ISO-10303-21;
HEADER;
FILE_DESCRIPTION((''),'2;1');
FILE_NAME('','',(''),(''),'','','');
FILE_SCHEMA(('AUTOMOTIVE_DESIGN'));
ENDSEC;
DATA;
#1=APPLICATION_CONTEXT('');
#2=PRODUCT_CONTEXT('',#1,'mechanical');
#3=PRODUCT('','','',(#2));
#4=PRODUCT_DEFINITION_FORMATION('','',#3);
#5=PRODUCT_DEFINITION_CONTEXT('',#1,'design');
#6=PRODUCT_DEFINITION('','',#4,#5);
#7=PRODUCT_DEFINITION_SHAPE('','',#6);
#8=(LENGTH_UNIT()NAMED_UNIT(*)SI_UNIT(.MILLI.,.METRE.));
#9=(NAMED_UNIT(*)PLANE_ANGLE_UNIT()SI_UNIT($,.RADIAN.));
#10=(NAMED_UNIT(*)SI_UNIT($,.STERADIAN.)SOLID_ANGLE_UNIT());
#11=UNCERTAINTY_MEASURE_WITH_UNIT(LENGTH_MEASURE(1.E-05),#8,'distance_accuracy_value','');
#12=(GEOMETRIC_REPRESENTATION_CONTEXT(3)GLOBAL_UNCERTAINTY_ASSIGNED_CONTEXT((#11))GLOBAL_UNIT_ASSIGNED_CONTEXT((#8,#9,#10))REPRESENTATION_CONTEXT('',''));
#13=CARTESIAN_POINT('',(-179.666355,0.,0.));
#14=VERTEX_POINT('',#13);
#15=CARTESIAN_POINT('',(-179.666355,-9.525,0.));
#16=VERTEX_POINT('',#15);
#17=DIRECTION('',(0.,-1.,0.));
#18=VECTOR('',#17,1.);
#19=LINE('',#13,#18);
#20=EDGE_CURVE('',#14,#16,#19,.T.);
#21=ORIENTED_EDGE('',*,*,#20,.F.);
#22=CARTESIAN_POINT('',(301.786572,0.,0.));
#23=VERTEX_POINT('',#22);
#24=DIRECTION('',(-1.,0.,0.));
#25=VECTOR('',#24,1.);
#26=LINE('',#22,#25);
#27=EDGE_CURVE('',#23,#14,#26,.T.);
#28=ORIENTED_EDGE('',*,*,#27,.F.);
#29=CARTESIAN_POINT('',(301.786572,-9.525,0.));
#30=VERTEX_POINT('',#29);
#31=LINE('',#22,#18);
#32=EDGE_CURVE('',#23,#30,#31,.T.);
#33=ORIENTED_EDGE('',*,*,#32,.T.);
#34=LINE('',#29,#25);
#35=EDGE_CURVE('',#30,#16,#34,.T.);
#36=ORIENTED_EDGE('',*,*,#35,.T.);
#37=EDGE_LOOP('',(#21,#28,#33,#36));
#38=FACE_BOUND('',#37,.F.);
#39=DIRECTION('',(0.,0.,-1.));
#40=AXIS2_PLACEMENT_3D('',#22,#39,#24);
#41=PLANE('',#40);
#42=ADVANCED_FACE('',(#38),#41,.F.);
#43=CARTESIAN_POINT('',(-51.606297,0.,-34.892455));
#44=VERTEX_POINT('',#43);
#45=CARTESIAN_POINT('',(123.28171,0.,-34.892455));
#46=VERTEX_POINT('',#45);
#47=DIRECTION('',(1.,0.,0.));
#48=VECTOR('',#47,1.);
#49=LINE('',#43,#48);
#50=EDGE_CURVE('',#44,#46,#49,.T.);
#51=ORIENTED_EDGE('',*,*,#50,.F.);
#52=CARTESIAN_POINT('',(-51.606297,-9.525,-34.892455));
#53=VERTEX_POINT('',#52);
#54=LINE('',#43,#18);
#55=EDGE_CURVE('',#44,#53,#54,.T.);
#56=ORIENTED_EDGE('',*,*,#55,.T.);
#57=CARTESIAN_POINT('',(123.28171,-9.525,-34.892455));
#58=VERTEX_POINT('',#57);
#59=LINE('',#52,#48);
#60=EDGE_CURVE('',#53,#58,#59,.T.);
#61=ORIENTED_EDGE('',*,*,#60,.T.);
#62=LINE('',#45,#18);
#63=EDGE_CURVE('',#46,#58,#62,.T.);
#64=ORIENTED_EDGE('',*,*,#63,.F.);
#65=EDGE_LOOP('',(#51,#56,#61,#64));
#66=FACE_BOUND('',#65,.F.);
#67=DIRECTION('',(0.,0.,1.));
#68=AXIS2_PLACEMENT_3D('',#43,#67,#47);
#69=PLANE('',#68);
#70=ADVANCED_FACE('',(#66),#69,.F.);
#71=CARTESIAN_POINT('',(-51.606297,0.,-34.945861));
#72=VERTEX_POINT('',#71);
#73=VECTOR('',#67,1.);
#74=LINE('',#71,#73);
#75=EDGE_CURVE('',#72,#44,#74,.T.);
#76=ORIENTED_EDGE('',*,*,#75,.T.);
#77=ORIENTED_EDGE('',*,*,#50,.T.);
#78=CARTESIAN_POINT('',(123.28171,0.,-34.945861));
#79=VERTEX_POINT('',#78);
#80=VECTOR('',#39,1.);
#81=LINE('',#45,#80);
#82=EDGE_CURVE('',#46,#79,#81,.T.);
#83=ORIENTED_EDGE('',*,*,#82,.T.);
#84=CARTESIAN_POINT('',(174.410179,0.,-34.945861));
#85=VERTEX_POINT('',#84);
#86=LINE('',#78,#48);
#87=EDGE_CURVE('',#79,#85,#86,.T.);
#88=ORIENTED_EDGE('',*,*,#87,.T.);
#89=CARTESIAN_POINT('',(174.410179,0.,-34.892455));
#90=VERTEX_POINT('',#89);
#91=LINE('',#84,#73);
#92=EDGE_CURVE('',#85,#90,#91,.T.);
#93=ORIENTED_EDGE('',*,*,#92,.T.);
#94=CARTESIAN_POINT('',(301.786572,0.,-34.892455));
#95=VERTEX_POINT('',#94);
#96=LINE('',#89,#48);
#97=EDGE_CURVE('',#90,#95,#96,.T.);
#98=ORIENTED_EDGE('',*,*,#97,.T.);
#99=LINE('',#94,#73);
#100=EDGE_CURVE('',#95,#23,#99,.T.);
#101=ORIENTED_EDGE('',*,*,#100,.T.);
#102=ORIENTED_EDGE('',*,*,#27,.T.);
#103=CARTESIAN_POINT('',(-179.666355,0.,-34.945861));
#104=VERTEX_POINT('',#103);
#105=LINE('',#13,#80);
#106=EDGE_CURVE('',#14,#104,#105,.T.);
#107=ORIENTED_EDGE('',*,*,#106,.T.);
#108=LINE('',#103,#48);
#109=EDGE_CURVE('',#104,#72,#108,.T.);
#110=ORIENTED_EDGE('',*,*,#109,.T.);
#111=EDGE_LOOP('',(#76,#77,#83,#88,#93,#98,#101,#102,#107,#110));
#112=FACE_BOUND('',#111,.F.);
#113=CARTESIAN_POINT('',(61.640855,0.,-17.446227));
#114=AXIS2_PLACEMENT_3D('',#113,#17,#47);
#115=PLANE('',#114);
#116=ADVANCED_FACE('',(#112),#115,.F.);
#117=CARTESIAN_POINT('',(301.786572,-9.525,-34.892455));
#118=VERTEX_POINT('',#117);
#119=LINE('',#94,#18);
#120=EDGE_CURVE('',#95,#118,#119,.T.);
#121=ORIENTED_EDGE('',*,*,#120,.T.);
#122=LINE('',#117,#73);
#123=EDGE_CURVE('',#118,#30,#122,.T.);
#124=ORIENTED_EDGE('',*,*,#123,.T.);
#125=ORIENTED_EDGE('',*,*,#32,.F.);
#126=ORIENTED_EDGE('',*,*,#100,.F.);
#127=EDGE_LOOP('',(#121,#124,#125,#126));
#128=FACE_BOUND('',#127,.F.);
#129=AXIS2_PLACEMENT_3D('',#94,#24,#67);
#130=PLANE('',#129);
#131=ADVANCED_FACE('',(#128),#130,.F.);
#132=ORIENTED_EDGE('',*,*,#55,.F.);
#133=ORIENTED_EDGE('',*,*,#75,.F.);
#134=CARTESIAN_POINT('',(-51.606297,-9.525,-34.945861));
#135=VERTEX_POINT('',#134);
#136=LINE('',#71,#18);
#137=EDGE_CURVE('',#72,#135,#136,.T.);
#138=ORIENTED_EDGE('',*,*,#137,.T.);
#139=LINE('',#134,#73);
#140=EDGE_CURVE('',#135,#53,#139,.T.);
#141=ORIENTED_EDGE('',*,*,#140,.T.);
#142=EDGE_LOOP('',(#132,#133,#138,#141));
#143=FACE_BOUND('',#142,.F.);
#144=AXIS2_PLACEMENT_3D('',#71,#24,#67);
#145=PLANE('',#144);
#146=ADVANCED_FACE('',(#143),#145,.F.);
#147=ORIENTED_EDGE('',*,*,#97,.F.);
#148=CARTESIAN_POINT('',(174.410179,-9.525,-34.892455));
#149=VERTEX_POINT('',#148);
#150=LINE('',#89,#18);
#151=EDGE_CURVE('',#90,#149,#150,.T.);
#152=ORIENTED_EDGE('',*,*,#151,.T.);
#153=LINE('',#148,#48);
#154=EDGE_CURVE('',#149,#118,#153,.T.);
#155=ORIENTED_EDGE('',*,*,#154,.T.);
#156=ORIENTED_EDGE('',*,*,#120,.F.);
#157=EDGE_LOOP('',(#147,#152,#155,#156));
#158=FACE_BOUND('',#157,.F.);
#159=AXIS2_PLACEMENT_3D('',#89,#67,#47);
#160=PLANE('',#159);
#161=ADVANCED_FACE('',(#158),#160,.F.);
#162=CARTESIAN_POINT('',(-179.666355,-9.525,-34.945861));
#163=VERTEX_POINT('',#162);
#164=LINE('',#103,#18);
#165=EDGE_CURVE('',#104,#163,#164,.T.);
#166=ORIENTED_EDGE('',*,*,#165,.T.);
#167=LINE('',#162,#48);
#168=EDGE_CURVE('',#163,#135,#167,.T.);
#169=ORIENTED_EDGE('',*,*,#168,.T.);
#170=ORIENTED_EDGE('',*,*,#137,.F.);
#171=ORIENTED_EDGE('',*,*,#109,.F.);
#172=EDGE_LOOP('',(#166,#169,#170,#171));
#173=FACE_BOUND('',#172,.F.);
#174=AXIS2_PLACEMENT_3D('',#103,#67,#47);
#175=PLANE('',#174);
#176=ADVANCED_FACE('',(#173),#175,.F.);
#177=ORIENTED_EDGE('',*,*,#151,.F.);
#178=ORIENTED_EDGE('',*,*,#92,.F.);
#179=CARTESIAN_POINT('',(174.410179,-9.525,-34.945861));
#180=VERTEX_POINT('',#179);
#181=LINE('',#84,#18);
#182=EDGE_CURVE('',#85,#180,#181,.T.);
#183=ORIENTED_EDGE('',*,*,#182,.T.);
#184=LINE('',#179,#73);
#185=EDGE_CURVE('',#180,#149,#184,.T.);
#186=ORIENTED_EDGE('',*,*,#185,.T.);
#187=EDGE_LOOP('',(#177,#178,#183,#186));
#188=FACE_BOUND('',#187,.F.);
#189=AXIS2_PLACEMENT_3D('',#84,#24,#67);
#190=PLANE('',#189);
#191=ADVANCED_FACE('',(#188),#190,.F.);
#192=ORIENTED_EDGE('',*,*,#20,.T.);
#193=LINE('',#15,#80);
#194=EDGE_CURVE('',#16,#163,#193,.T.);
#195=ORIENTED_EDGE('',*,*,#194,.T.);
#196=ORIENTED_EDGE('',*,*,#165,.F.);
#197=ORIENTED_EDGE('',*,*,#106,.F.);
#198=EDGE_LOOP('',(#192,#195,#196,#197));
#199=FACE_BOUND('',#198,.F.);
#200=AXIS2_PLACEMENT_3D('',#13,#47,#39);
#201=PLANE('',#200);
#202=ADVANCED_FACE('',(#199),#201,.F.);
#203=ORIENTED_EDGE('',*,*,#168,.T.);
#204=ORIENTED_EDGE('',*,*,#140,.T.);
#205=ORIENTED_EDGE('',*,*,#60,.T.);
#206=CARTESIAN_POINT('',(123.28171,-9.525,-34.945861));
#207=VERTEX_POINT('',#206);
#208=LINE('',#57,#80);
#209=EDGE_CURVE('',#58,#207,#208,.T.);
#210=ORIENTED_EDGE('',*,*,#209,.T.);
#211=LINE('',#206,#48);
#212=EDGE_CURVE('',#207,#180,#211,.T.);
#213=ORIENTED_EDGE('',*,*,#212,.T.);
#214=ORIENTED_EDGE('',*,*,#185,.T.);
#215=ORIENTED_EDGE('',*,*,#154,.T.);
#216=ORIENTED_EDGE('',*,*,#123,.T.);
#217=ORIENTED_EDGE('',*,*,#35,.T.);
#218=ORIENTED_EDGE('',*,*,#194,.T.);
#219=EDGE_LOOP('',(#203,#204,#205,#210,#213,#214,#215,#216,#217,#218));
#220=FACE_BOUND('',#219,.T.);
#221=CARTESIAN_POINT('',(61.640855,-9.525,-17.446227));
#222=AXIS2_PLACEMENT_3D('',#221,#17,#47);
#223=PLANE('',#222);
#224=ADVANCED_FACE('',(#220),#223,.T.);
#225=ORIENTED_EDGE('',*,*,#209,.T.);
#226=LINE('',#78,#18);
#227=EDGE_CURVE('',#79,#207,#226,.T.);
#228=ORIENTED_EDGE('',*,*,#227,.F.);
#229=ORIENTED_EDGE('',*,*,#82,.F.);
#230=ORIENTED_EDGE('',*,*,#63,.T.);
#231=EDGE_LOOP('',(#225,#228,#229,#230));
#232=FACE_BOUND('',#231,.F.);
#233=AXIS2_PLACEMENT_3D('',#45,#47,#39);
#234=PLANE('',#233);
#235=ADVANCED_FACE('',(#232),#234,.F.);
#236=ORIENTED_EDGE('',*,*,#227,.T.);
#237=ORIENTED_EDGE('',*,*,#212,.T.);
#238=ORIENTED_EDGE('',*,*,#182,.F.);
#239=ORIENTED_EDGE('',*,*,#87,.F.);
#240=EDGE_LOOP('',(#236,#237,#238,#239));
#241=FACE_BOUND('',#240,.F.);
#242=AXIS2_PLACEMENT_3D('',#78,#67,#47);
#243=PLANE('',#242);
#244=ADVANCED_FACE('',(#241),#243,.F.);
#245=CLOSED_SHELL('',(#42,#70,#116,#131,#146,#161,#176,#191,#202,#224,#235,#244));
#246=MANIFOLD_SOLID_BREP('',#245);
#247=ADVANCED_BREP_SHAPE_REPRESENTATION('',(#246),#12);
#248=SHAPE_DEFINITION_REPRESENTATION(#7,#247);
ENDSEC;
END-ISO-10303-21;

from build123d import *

# Parameters (mm, degrees)
F0_W     = 123.2817098498
F0_H     = 34.8924547434
F0_W_2   = 51.606297493
F1_DEPTH = 9.525


with BuildPart() as f1:
    # F0 (on Front) → F1 (new body)
    with BuildSketch(Plane.XZ):
        with Locations((61.6408549249, -17.4462273717)):
            Rectangle(F0_W, F0_H)
        with Locations((-25.8031487465, -17.4462273717)):
            Rectangle(F0_W_2, F0_H)
        Polygon((174.4101792574, 0), (123.2817098498, 0), (123.2817098498, -34.8924547434), (123.2817098498, -34.9458605051), (174.4101792574, -34.9458605051), (174.4101792574, -34.8924547434), (174.4101792574, -34.7419455647), align=None)
        Polygon((-51.606297493, -34.8924547434), (-51.606297493, 0), (-179.6663552523, 0), (-179.6663552523, -34.9458605051), (-51.606297493, -34.9458605051), align=None)
        Polygon((301.7865717411, 0), (174.4101792574, 0), (174.4101792574, -34.7419455647), (174.4101792574, -34.8924547434), (301.7865717411, -34.8924547434), align=None)
    extrude(amount=F1_DEPTH)


solid = f1.part
